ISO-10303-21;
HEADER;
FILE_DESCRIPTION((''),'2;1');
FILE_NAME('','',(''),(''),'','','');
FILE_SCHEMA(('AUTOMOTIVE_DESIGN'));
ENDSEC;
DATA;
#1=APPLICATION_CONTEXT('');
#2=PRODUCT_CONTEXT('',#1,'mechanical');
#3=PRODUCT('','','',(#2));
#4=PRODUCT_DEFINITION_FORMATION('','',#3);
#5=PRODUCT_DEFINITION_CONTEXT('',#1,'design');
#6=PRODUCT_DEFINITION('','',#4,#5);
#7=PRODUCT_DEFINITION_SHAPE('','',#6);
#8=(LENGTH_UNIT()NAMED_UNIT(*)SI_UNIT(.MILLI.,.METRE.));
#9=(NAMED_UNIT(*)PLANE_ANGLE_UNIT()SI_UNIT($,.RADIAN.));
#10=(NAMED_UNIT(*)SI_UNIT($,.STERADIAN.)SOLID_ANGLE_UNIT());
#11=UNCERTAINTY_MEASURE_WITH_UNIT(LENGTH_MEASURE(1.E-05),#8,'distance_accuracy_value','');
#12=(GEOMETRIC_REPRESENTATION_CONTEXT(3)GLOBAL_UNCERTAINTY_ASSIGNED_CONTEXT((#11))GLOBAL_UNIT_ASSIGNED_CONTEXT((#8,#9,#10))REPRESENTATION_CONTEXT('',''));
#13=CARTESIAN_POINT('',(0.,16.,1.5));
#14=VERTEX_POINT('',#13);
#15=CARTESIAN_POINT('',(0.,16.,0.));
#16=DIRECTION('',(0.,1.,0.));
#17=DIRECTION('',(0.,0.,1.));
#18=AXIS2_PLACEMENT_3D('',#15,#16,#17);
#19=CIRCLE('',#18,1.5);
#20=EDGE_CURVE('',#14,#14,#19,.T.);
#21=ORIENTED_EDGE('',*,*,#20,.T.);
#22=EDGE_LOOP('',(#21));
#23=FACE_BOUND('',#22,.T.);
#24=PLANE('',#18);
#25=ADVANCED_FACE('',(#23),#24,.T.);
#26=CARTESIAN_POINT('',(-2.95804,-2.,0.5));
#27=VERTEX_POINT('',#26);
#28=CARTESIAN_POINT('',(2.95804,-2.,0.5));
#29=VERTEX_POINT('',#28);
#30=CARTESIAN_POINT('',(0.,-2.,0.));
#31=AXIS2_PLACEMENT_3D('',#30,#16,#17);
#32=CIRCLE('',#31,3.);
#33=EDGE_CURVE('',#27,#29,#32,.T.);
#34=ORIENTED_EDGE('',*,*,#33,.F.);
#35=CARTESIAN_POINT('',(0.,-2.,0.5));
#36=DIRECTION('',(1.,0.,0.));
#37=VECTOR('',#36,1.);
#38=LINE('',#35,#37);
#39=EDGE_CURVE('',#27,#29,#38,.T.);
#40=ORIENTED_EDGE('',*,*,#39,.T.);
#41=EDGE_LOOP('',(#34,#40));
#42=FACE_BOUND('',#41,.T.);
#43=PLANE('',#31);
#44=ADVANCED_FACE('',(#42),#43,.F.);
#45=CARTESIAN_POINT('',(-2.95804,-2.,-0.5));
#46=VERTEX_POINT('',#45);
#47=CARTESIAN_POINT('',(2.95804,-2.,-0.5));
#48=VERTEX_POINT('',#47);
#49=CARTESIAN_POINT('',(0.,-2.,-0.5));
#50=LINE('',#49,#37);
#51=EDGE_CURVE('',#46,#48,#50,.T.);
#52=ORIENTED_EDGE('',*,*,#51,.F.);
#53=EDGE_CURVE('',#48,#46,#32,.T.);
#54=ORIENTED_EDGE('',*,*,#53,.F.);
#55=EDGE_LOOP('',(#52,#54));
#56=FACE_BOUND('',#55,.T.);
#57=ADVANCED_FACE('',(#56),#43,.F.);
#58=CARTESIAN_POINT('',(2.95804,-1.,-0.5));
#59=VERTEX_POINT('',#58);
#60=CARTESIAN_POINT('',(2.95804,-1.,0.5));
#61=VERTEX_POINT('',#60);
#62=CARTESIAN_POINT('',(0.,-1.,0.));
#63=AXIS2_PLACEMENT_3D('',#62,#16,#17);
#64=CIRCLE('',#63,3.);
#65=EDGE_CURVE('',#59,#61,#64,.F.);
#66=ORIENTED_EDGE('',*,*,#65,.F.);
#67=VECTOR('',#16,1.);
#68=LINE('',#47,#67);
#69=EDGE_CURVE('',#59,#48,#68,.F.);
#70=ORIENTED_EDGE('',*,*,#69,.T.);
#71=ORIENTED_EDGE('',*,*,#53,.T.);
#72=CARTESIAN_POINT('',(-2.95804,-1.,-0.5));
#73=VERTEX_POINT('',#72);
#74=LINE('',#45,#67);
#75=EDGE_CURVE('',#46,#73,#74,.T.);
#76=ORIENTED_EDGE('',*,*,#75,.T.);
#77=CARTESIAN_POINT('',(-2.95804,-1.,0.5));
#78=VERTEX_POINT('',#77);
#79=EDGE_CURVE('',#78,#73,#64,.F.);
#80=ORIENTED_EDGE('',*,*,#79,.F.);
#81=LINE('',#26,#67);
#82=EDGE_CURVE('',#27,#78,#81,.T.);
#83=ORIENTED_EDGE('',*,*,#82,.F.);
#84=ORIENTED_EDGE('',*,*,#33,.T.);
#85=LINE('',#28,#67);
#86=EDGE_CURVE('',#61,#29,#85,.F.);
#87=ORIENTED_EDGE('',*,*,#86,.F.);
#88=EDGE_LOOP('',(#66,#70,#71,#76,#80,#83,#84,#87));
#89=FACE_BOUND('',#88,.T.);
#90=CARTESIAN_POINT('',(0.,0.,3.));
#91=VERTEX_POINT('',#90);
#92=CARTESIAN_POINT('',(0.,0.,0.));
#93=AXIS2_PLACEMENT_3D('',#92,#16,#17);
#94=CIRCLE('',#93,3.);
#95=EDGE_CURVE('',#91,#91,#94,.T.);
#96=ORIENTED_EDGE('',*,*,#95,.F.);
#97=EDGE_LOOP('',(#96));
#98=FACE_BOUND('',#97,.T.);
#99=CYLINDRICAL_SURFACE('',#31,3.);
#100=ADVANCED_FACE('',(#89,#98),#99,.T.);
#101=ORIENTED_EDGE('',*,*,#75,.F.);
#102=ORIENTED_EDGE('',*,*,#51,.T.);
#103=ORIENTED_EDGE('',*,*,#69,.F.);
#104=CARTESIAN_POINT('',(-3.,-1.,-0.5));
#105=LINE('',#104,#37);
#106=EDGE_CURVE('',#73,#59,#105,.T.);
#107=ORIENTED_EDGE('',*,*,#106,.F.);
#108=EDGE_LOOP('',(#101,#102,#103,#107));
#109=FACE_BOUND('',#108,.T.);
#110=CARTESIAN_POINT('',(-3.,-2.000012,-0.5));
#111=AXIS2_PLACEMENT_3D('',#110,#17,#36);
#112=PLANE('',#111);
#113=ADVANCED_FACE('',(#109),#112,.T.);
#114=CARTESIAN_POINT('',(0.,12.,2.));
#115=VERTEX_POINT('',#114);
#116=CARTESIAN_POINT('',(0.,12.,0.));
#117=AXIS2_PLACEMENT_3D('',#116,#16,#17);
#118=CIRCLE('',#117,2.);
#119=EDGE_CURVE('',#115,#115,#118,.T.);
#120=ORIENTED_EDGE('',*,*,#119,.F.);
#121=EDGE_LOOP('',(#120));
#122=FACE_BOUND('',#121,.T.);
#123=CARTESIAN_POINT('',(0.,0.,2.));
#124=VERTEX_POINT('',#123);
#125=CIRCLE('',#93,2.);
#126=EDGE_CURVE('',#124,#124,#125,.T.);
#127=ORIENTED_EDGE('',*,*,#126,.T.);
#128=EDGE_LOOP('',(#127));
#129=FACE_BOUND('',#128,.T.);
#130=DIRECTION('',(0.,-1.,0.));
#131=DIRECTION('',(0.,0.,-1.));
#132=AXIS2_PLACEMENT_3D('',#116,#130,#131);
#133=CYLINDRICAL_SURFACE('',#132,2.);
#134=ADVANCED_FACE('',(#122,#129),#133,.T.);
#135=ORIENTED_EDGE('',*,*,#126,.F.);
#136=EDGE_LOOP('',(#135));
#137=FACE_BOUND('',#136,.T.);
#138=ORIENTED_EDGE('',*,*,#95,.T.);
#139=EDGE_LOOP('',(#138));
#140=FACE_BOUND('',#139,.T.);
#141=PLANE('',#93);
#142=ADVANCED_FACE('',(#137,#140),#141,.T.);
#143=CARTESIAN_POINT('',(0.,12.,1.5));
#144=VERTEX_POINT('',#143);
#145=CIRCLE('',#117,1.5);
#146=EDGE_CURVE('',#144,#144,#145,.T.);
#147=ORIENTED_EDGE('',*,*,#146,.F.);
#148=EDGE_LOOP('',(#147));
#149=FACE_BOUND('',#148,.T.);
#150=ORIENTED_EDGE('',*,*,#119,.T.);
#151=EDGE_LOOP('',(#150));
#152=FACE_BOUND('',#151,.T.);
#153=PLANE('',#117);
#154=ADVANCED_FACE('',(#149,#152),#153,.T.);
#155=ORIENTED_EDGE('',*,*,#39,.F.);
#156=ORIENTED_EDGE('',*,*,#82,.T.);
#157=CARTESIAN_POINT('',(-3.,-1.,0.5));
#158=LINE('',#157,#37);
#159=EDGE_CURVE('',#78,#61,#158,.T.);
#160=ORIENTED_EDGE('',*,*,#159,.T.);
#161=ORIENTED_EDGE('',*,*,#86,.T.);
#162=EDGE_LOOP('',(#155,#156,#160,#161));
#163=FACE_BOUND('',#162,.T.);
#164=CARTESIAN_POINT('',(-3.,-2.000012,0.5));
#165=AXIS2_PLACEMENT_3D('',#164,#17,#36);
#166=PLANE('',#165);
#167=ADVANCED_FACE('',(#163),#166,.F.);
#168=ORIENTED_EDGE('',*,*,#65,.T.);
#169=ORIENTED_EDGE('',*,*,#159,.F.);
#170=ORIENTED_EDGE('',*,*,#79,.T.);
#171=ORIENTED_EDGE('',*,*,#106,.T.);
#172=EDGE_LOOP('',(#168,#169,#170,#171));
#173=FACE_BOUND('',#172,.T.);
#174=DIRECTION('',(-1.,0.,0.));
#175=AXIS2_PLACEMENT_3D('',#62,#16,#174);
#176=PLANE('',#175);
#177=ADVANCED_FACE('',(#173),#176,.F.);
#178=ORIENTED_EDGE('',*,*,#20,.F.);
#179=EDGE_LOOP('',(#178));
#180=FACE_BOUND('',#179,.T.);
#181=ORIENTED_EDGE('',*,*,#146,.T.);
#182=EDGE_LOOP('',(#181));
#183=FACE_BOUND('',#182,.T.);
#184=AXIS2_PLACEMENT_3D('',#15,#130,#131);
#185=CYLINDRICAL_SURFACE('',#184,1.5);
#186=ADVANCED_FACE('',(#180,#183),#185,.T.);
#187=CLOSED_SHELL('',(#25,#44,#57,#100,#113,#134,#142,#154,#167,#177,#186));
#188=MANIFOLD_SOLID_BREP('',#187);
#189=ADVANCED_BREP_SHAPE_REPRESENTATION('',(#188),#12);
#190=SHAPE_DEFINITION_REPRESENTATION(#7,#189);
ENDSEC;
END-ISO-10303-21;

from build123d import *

# Parameters (mm, degrees)
SKETCH_1_R               = 3
EXTRUDE_1_DEPTH          = 2
SKETCH_2_R               = 2
EXTRUDE_2_DEPTH          = 12
SKETCH_3_R               = 1.5
EXTRUDE_3_DEPTH          = 4
CUT_EXTRUDE_1_DEPTH      = 19.493242009
CUT_EXTRUDE_1_DEPTH_BACK = 1
SKETCH_4_W               = 6
SKETCH_4_H               = 1


with BuildPart() as part:
    # 草图1 → 凸台-拉伸1 (new body)
    with BuildSketch(Plane(origin=(0, 0, 0), x_dir=(1, 0, 0), z_dir=(0, 1, 0))):
        Circle(SKETCH_1_R)
    extrude(amount=-EXTRUDE_1_DEPTH)

    # 草图2 → 凸台-拉伸2 (add)
    with BuildSketch(Plane(origin=(0, 0, 0), x_dir=(1, 0, 0), z_dir=(0, 1, 0))):
        Circle(SKETCH_2_R)
    extrude(amount=EXTRUDE_2_DEPTH)

    # 草图3 → 凸台-拉伸3 (add)
    with BuildSketch(Plane(origin=(0, 12, 0), x_dir=(1, 0, 0), z_dir=(0, 1, 0))):
        Circle(SKETCH_3_R)
    extrude(amount=EXTRUDE_3_DEPTH)

    # 草图4 → 切除-拉伸-薄壁1 (cut, two sides: drawn at the far end of the back side and taken through both)
    with BuildSketch(Plane.XZ.offset(2).offset(-CUT_EXTRUDE_1_DEPTH_BACK)):
        Rectangle(SKETCH_4_W, SKETCH_4_H)
    extrude(amount=CUT_EXTRUDE_1_DEPTH + CUT_EXTRUDE_1_DEPTH_BACK, mode=Mode.SUBTRACT)


solid = part.part
